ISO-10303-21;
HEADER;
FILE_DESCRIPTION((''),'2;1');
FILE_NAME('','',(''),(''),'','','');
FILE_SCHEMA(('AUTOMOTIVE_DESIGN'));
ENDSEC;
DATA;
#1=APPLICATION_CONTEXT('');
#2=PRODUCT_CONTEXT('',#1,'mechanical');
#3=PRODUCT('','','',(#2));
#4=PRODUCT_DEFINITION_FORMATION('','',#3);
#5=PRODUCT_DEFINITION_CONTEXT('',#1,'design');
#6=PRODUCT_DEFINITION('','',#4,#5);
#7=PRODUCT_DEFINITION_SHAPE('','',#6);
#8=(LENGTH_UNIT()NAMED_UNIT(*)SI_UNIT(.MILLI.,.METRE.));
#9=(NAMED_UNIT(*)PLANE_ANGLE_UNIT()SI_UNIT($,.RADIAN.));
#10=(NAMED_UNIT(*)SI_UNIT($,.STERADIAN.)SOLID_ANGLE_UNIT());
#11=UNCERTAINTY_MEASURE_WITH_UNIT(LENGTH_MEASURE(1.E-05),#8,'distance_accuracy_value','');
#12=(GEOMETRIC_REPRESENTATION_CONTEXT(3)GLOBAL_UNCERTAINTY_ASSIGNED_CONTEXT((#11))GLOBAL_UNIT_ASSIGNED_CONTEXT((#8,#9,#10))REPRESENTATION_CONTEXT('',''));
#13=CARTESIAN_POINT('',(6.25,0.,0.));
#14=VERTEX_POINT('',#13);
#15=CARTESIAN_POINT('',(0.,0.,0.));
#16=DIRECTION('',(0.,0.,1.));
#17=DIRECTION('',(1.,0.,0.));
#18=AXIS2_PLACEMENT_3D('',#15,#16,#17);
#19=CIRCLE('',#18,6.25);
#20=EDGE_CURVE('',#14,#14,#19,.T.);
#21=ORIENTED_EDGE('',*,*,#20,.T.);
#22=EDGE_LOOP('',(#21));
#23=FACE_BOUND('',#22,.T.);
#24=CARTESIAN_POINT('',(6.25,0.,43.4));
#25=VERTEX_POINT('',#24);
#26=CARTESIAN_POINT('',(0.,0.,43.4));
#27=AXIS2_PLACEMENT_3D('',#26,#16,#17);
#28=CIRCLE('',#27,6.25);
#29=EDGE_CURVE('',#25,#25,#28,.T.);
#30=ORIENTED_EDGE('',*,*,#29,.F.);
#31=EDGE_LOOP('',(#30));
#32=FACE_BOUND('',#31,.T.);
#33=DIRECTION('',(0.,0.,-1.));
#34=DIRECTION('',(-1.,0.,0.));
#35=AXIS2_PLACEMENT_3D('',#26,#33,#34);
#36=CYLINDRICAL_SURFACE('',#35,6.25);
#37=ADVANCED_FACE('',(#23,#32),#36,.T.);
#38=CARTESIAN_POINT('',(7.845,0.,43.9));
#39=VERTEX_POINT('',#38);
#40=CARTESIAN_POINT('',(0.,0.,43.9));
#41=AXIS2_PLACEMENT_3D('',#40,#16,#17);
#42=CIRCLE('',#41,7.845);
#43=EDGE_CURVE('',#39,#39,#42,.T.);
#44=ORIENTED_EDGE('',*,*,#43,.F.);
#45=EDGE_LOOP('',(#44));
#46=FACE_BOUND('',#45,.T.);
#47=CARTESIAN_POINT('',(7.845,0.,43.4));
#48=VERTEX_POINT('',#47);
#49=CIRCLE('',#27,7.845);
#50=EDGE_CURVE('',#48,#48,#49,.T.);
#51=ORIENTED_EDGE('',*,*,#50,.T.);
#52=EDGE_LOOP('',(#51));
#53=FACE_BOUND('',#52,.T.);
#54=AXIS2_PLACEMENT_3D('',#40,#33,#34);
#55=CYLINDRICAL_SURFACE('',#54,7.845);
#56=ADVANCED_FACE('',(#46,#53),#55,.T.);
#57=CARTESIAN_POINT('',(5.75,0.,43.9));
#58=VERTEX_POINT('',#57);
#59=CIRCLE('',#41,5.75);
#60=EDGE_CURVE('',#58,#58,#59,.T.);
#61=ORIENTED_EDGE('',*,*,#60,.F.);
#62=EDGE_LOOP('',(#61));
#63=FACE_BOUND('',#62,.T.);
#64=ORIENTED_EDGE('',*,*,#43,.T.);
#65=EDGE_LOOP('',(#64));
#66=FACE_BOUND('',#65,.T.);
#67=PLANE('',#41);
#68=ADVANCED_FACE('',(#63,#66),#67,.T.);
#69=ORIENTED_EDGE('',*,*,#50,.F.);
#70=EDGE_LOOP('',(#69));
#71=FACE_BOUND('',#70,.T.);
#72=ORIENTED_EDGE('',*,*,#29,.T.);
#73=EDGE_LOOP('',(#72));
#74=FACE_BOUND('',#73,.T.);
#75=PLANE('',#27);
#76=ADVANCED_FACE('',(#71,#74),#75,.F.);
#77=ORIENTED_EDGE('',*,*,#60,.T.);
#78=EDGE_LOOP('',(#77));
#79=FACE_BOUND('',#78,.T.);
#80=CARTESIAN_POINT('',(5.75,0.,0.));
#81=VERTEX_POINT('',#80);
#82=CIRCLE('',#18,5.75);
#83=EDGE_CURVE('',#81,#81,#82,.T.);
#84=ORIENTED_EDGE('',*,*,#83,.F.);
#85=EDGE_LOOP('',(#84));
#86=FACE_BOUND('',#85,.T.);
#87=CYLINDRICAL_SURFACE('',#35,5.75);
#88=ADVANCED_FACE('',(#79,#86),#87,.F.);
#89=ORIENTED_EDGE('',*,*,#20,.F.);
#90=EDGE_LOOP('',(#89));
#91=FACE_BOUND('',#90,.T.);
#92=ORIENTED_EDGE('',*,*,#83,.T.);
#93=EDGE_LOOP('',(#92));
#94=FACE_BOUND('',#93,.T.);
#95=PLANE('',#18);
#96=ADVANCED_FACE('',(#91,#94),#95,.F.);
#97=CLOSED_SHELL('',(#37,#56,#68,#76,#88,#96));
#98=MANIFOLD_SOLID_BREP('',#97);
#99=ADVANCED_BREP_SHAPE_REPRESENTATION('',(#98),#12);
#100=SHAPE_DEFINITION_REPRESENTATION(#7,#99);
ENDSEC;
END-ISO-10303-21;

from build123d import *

# Parameters (mm, degrees)
ESQUISSE1_R        = 6.25
ESQUISSE1_R_2      = 5.75
BOSS_EXTRU_1_DEPTH = 43.4
ESQUISSE2_R        = 7.845
ESQUISSE2_R_2      = 5.75
BOSS_EXTRU_2_DEPTH = 0.5


with BuildPart() as part:
    # Esquisse1 → Boss.-Extru.1 (new body)
    with BuildSketch(Plane.XY):
        Circle(ESQUISSE1_R)
        Circle(ESQUISSE1_R_2, mode=Mode.SUBTRACT)
    extrude(amount=BOSS_EXTRU_1_DEPTH)

    # Esquisse2 → Boss.-Extru.2 (add)
    with BuildSketch(Plane.XY.offset(43.4)):
        Circle(ESQUISSE2_R)
        Circle(ESQUISSE2_R_2, mode=Mode.SUBTRACT)
    extrude(amount=BOSS_EXTRU_2_DEPTH)


solid = part.part
